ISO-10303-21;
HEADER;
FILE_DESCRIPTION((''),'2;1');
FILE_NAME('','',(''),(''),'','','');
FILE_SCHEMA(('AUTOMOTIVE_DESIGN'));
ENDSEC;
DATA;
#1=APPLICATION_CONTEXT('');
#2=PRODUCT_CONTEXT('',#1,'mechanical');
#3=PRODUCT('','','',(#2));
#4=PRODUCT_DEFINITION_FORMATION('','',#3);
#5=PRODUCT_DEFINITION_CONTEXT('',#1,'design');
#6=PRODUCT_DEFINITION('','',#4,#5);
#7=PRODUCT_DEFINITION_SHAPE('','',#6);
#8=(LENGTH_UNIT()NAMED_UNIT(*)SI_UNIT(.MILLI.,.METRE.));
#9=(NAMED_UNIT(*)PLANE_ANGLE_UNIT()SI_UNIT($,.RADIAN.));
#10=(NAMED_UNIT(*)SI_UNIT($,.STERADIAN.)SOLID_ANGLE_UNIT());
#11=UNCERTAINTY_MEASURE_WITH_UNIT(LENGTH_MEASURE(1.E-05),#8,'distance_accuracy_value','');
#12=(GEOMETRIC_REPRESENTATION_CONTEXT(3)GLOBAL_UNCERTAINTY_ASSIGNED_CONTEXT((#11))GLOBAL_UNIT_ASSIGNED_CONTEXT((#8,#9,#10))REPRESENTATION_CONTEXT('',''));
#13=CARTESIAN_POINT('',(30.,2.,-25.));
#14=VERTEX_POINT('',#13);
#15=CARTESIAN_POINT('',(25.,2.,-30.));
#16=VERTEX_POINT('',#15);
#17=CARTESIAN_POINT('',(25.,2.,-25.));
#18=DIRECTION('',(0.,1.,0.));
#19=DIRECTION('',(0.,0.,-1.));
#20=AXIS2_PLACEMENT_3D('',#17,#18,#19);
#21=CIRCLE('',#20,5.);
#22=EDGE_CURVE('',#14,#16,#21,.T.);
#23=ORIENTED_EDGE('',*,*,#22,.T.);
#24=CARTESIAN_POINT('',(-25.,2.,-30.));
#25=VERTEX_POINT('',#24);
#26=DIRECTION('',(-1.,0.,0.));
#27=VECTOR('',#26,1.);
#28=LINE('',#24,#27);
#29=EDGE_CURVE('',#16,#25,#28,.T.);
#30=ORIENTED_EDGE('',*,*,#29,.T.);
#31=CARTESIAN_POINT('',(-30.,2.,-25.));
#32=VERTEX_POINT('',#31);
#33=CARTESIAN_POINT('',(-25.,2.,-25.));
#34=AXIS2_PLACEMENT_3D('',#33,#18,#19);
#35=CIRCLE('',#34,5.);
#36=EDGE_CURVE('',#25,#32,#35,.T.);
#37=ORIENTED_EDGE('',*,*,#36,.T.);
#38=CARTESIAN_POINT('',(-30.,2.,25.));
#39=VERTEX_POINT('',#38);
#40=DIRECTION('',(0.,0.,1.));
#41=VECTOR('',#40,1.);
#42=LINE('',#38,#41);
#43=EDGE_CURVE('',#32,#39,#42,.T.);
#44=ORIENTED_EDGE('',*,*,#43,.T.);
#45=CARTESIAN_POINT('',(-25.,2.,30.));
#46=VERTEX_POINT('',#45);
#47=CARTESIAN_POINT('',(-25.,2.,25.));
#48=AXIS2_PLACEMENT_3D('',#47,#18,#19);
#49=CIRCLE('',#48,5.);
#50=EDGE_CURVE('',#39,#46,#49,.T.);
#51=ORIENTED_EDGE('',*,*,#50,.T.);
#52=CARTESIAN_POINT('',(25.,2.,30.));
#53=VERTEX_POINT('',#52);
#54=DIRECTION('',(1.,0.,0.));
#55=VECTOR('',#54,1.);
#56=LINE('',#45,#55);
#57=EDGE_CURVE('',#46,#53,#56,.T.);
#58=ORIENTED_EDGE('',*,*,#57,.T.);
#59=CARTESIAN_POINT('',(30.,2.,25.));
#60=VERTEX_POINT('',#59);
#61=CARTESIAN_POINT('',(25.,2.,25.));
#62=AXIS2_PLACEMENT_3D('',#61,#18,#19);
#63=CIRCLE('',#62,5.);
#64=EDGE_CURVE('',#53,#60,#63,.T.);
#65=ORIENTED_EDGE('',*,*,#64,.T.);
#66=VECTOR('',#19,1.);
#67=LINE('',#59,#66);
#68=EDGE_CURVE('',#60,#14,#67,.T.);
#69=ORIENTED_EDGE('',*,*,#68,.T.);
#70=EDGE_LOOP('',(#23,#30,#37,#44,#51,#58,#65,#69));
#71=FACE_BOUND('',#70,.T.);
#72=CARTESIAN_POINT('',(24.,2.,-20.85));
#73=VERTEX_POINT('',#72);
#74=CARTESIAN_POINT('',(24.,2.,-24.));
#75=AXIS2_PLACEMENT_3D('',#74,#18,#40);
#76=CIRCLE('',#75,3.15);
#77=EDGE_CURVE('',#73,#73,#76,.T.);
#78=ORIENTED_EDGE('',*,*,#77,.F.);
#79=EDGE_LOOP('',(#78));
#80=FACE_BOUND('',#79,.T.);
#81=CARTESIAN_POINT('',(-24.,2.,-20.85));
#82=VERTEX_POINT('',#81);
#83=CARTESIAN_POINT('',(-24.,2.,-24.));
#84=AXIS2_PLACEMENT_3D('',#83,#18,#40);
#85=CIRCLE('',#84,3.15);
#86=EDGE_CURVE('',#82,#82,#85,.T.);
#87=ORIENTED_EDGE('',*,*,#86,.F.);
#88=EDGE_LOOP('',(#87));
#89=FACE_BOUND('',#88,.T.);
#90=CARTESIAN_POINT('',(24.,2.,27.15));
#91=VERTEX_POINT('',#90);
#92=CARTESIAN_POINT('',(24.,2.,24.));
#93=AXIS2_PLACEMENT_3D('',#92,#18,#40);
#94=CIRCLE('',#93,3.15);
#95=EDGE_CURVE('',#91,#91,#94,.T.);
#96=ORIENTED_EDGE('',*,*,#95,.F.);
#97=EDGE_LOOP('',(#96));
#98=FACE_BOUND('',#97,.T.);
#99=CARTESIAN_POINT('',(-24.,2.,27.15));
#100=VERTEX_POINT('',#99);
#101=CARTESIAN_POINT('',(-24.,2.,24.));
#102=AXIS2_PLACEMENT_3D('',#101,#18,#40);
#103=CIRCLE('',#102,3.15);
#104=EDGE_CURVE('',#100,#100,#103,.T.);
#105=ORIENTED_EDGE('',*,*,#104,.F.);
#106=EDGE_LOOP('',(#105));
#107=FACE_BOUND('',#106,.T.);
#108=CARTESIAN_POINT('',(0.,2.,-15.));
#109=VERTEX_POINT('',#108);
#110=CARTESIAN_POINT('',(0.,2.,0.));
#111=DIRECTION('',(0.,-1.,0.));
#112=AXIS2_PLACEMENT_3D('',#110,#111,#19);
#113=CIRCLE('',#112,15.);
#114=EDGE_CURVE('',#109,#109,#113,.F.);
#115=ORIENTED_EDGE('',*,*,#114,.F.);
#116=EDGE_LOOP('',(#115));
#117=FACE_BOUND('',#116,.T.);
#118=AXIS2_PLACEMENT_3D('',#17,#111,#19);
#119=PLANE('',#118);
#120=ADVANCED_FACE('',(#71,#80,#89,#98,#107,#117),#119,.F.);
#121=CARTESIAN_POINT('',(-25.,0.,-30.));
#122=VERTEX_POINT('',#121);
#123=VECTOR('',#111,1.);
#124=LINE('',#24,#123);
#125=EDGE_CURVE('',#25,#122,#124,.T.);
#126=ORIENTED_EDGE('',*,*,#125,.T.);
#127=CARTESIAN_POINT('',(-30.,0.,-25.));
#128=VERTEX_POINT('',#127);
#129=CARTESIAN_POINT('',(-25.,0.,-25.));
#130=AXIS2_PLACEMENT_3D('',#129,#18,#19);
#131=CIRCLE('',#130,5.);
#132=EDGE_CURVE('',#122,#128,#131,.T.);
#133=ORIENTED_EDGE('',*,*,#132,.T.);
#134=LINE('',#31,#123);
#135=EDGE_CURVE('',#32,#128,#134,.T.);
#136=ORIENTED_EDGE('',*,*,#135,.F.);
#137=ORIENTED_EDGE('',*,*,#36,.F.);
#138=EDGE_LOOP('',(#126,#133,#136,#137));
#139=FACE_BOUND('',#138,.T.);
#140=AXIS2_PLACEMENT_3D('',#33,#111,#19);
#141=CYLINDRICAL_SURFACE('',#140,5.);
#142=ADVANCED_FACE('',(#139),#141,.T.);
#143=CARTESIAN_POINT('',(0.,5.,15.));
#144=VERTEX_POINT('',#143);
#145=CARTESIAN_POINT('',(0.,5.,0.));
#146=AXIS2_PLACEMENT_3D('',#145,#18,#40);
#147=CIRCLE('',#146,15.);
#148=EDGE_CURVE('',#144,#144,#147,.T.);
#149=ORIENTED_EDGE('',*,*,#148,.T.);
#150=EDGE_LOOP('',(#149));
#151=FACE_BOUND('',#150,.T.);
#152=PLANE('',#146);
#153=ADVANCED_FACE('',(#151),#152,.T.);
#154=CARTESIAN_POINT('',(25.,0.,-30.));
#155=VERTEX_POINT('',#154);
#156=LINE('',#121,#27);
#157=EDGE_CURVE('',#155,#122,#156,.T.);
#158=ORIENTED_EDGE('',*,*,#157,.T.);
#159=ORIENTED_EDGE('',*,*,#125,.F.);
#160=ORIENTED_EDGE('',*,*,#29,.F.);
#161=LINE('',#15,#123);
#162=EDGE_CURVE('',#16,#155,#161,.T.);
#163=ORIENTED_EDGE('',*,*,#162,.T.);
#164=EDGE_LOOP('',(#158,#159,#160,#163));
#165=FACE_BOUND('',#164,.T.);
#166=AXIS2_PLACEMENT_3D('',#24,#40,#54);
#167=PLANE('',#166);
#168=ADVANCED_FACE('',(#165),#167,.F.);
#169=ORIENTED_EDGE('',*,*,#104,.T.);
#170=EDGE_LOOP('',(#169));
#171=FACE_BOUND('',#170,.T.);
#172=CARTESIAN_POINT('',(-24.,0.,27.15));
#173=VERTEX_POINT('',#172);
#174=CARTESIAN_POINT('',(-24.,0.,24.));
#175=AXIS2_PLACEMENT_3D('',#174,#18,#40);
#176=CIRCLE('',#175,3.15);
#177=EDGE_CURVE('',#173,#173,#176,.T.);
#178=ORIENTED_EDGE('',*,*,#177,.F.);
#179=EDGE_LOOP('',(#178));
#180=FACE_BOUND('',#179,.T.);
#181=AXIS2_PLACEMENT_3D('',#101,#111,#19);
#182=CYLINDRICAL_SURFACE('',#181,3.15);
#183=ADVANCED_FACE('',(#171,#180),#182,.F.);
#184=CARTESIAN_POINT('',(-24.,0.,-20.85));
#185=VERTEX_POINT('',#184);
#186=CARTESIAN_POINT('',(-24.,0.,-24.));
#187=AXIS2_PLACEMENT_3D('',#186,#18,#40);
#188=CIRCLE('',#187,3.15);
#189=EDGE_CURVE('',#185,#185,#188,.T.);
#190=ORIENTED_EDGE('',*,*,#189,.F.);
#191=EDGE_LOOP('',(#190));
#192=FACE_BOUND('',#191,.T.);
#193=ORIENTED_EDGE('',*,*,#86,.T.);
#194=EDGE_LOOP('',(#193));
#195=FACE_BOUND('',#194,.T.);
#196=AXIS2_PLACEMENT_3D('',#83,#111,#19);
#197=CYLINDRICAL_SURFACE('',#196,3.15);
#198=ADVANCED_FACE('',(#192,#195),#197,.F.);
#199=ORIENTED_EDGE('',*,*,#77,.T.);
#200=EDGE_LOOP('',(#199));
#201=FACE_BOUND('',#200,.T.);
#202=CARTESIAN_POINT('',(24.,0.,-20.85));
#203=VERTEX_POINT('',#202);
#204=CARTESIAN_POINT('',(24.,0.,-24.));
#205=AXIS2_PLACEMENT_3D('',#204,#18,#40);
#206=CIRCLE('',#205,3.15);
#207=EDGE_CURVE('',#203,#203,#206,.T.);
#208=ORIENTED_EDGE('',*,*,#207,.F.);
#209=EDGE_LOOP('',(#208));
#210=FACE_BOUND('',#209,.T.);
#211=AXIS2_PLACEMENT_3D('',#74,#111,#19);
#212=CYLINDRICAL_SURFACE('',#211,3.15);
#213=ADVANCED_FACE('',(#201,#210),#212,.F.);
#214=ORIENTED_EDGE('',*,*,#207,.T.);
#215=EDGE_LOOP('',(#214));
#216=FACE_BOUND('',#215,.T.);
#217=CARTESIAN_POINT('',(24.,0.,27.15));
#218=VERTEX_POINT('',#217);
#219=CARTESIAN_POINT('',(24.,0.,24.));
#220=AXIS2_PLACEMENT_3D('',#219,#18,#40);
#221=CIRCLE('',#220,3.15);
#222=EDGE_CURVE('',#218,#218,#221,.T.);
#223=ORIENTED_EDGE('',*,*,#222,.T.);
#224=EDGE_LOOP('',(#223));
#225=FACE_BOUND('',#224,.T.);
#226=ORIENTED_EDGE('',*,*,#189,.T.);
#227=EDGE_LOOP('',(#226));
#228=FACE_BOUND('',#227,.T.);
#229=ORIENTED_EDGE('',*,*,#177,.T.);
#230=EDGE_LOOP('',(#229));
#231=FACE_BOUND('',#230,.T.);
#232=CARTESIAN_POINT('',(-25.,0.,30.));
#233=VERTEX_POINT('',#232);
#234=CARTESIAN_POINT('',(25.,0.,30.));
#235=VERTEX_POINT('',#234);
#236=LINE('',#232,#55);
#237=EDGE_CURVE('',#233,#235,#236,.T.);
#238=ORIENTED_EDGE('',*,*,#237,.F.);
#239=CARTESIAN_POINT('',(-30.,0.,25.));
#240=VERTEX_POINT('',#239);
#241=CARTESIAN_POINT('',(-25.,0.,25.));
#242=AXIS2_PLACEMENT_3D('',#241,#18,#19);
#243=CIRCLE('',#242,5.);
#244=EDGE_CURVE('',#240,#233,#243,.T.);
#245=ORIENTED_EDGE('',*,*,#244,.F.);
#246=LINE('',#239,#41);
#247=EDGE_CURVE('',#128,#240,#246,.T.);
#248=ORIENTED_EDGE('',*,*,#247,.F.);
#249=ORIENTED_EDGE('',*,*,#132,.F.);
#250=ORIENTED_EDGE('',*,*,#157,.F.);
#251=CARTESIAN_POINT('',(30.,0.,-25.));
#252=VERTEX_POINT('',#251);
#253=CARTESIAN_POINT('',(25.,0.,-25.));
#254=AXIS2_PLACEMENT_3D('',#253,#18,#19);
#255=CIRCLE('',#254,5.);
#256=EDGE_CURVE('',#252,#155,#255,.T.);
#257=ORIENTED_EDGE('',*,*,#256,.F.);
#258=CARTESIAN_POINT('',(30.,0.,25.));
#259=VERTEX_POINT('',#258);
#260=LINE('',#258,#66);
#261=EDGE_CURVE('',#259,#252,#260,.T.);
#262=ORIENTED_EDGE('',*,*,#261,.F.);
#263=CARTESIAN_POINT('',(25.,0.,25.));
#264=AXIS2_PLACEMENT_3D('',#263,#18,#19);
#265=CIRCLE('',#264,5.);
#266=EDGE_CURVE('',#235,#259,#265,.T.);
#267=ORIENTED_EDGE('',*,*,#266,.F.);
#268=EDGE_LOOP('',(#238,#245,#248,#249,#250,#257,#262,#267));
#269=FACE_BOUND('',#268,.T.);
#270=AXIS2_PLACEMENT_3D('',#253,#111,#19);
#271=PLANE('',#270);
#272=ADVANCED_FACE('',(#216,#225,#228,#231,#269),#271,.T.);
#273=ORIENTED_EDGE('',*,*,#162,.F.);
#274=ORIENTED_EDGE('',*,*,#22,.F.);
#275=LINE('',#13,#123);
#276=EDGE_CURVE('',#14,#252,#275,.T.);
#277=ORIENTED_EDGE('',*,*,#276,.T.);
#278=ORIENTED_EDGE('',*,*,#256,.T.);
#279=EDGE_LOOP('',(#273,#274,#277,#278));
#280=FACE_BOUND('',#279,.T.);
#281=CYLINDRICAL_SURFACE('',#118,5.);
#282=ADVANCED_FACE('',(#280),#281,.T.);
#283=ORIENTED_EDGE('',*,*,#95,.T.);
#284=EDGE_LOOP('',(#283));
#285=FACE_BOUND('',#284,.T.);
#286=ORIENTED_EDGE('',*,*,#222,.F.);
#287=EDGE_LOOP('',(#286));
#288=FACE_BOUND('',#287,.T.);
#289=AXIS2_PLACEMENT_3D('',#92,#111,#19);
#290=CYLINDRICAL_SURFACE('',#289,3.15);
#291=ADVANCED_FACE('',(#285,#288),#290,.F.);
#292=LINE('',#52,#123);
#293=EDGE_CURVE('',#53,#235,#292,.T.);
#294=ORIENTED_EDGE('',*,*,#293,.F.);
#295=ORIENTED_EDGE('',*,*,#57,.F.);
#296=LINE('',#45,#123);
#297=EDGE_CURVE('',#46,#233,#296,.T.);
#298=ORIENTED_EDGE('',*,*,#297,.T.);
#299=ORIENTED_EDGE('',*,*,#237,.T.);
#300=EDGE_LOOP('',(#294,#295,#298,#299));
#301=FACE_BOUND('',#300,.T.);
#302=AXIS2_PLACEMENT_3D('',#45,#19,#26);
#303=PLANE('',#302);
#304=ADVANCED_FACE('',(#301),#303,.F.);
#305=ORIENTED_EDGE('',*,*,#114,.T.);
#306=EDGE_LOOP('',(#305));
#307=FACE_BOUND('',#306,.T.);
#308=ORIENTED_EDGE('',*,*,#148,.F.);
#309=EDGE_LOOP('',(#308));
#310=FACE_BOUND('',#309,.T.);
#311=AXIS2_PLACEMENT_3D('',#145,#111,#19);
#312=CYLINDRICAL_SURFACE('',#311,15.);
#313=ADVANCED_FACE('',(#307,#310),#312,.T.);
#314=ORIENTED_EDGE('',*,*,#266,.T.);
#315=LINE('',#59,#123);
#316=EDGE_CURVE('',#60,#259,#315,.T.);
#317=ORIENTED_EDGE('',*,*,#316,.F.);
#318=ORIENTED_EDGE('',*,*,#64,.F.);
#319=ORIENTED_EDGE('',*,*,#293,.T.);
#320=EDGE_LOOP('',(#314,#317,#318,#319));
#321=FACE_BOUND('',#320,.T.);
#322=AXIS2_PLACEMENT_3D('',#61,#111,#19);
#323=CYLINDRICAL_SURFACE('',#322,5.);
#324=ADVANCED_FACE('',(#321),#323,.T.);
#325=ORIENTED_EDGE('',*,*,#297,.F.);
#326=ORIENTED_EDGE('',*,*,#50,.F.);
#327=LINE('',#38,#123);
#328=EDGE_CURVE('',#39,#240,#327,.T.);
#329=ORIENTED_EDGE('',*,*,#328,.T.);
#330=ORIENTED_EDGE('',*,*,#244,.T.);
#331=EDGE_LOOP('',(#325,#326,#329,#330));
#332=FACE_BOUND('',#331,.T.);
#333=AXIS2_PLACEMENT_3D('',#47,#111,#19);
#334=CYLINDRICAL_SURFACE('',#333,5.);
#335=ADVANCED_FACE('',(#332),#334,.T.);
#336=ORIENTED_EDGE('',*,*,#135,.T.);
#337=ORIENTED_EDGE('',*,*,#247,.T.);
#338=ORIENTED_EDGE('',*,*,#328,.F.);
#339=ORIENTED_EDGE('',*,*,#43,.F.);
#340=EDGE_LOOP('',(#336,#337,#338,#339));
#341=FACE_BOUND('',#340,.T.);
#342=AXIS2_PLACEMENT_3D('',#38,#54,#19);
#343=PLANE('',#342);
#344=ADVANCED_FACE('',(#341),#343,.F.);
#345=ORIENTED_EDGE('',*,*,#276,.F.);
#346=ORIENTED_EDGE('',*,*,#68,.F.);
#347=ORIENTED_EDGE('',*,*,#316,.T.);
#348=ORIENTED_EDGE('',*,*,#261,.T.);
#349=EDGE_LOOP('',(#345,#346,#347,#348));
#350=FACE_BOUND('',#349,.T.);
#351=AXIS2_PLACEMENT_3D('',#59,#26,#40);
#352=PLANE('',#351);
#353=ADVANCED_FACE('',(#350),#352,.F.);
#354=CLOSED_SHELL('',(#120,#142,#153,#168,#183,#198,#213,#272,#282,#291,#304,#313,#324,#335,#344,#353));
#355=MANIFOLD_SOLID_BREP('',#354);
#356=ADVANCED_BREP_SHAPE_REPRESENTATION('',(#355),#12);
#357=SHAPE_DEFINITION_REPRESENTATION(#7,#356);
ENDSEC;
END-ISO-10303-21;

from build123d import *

# Parameters (mm, degrees)
ESQUISSE1_R        = 3.15
BOSS_EXTRU_1_DEPTH = 2
ESQUISSE2_R        = 15
BOSS_EXTRU_2_DEPTH = 3


with BuildPart() as part:
    # Esquisse1 → Boss.-Extru.1 (new body)
    with BuildSketch(Plane(origin=(0, 0, 0), x_dir=(1, 0, 0), z_dir=(0, 1, 0))):
        with BuildLine():
            Line((-25, -30), (25, -30))
            ThreePointArc((25, -30), (28.535533906, -28.535533906), (30, -25))
            Line((30, -25), (30, 25))
            ThreePointArc((30, 25), (28.535533906, 28.535533906), (25, 30))
            Line((25, 30), (-25, 30))
            ThreePointArc((-25, 30), (-28.535533906, 28.535533906), (-30, 25))
            Line((-30, 25), (-30, -25))
            ThreePointArc((-30, -25), (-28.535533906, -28.535533906), (-25, -30))
        make_face()
        with Locations((-24, 24)):
            Circle(ESQUISSE1_R, mode=Mode.SUBTRACT)
        with Locations((24, 24)):
            Circle(ESQUISSE1_R, mode=Mode.SUBTRACT)
        with Locations((24, -24)):
            Circle(ESQUISSE1_R, mode=Mode.SUBTRACT)
        with Locations((-24, -24)):
            Circle(ESQUISSE1_R, mode=Mode.SUBTRACT)
    extrude(amount=BOSS_EXTRU_1_DEPTH)

    # Esquisse2 → Boss.-Extru.2 (add)
    with BuildSketch(Plane(origin=(0, 2, 0), x_dir=(1, 0, 0), z_dir=(0, 1, 0))):
        Circle(ESQUISSE2_R)
    extrude(amount=BOSS_EXTRU_2_DEPTH)


solid = part.part
